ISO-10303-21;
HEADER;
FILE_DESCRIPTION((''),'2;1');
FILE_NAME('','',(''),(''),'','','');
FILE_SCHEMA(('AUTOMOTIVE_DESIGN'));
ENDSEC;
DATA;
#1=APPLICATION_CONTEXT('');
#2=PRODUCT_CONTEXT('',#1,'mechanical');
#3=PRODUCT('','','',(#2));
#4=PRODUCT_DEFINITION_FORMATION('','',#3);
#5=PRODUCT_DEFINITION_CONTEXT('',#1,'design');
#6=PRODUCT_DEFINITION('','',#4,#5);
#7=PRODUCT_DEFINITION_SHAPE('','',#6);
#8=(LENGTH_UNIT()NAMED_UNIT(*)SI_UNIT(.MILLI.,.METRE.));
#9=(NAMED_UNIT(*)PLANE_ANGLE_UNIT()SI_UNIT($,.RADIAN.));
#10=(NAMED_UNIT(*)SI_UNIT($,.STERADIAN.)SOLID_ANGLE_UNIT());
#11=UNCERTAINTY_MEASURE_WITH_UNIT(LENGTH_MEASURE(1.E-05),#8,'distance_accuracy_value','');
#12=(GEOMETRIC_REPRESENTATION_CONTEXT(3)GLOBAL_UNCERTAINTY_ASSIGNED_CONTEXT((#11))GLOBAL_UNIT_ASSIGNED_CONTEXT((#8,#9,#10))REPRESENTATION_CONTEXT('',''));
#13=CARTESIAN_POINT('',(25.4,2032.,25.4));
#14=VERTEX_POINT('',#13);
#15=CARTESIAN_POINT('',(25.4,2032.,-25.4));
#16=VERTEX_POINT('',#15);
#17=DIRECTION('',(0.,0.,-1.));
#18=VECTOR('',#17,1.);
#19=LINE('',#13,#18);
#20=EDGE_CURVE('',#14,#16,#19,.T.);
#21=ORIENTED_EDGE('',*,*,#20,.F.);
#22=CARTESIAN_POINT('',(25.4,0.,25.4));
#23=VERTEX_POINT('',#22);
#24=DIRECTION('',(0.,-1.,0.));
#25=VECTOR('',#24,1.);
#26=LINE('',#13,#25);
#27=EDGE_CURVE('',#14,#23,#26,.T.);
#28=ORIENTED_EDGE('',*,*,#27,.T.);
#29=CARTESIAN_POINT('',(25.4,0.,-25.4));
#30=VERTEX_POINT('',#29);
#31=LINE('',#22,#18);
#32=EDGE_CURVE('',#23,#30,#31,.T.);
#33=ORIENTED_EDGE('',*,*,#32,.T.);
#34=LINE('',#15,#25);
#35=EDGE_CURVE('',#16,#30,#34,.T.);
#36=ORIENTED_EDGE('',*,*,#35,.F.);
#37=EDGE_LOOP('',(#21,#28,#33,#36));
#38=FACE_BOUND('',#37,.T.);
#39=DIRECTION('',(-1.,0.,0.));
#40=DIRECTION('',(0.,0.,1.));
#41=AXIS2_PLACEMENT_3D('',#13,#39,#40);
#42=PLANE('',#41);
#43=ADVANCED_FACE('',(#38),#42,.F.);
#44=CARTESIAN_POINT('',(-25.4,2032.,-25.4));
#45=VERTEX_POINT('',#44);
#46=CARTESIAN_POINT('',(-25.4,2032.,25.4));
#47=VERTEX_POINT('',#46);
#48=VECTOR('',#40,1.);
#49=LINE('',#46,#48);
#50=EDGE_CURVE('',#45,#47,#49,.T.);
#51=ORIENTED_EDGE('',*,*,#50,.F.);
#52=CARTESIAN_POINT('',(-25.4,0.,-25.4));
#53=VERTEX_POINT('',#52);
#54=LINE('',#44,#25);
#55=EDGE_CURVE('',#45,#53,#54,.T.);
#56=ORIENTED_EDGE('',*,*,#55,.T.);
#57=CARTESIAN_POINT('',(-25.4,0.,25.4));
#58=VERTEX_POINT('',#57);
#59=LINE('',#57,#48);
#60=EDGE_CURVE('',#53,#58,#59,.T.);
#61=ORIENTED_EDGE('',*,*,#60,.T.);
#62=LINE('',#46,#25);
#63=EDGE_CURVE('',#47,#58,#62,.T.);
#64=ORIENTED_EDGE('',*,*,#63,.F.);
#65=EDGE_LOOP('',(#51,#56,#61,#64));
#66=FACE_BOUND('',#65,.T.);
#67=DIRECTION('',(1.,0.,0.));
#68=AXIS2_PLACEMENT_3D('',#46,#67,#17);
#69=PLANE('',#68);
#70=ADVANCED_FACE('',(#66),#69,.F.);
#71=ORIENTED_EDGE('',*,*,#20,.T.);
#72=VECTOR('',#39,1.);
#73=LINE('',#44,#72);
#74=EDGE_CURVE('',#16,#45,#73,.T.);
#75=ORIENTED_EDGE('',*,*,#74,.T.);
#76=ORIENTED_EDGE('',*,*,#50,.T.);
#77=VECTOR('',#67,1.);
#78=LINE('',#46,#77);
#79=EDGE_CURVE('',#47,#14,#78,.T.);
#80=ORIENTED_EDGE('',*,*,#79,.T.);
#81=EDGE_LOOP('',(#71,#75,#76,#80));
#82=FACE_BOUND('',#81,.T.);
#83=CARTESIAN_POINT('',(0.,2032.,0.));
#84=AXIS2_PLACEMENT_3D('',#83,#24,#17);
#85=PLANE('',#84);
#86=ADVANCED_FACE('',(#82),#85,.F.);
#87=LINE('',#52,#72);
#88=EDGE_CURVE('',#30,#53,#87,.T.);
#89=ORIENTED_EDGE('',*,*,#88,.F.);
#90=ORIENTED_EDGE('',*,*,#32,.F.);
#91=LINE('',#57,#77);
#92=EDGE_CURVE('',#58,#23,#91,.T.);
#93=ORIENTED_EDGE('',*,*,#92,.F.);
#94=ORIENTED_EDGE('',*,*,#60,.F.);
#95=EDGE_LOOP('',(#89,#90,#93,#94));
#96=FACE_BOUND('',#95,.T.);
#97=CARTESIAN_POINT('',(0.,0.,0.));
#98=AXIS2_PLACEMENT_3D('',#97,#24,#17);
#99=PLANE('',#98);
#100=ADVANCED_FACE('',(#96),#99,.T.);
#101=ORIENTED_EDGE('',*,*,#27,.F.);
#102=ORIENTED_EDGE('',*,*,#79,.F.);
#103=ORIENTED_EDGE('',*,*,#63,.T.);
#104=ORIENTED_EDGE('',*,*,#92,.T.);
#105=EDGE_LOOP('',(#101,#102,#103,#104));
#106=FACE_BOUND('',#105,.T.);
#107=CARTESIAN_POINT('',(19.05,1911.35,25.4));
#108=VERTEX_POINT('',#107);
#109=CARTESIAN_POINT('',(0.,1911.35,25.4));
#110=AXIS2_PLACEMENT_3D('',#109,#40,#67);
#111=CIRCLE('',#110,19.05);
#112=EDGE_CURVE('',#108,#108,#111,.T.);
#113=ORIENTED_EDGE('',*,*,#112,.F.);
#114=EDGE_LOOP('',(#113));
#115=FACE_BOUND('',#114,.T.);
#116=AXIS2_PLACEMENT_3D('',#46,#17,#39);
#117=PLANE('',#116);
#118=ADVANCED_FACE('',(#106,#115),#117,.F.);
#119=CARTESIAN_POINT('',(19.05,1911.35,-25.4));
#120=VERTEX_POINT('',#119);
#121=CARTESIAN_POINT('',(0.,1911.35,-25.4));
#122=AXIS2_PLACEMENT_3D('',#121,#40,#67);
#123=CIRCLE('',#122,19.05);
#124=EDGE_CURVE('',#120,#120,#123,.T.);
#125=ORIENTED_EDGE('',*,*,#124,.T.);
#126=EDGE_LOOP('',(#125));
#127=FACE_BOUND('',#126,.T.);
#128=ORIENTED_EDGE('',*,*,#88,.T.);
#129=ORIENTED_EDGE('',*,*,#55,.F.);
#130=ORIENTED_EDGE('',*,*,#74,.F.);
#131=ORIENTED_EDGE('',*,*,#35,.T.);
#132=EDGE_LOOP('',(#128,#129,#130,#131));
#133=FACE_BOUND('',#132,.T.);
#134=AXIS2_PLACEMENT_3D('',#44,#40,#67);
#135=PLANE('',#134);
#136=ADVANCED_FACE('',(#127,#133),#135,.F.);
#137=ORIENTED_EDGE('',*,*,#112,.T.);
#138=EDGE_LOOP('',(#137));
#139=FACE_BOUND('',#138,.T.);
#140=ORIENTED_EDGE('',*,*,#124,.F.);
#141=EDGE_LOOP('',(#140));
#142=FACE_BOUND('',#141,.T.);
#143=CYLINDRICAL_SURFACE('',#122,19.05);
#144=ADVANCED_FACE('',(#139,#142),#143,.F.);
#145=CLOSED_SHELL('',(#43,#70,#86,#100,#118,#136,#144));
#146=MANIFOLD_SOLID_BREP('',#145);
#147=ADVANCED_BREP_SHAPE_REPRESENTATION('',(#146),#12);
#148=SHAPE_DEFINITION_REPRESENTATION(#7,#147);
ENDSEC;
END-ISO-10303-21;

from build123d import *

# Parameters (mm, degrees)
SKETCH1_W           = 50.8
SKETCH1_H           = 50.8
BOSS_EXTRUDE1_DEPTH = 2032
SKETCH2_R           = 19.05
CUT_EXTRUDE1_DEPTH  = 2033.793595031


with BuildPart() as part:
    # Sketch1 → Boss-Extrude1 (new body)
    with BuildSketch(Plane(origin=(0, 0, 0), x_dir=(1, 0, 0), z_dir=(0, 1, 0))):
        Rectangle(SKETCH1_W, SKETCH1_H)
    extrude(amount=BOSS_EXTRUDE1_DEPTH)

    # Sketch2 → Cut-Extrude1 (cut, through all)
    with BuildSketch(Plane.XY.offset(25.4)):
        with Locations((0, 1911.35)):
            Circle(SKETCH2_R)
    extrude(amount=-CUT_EXTRUDE1_DEPTH, mode=Mode.SUBTRACT)


solid = part.part
